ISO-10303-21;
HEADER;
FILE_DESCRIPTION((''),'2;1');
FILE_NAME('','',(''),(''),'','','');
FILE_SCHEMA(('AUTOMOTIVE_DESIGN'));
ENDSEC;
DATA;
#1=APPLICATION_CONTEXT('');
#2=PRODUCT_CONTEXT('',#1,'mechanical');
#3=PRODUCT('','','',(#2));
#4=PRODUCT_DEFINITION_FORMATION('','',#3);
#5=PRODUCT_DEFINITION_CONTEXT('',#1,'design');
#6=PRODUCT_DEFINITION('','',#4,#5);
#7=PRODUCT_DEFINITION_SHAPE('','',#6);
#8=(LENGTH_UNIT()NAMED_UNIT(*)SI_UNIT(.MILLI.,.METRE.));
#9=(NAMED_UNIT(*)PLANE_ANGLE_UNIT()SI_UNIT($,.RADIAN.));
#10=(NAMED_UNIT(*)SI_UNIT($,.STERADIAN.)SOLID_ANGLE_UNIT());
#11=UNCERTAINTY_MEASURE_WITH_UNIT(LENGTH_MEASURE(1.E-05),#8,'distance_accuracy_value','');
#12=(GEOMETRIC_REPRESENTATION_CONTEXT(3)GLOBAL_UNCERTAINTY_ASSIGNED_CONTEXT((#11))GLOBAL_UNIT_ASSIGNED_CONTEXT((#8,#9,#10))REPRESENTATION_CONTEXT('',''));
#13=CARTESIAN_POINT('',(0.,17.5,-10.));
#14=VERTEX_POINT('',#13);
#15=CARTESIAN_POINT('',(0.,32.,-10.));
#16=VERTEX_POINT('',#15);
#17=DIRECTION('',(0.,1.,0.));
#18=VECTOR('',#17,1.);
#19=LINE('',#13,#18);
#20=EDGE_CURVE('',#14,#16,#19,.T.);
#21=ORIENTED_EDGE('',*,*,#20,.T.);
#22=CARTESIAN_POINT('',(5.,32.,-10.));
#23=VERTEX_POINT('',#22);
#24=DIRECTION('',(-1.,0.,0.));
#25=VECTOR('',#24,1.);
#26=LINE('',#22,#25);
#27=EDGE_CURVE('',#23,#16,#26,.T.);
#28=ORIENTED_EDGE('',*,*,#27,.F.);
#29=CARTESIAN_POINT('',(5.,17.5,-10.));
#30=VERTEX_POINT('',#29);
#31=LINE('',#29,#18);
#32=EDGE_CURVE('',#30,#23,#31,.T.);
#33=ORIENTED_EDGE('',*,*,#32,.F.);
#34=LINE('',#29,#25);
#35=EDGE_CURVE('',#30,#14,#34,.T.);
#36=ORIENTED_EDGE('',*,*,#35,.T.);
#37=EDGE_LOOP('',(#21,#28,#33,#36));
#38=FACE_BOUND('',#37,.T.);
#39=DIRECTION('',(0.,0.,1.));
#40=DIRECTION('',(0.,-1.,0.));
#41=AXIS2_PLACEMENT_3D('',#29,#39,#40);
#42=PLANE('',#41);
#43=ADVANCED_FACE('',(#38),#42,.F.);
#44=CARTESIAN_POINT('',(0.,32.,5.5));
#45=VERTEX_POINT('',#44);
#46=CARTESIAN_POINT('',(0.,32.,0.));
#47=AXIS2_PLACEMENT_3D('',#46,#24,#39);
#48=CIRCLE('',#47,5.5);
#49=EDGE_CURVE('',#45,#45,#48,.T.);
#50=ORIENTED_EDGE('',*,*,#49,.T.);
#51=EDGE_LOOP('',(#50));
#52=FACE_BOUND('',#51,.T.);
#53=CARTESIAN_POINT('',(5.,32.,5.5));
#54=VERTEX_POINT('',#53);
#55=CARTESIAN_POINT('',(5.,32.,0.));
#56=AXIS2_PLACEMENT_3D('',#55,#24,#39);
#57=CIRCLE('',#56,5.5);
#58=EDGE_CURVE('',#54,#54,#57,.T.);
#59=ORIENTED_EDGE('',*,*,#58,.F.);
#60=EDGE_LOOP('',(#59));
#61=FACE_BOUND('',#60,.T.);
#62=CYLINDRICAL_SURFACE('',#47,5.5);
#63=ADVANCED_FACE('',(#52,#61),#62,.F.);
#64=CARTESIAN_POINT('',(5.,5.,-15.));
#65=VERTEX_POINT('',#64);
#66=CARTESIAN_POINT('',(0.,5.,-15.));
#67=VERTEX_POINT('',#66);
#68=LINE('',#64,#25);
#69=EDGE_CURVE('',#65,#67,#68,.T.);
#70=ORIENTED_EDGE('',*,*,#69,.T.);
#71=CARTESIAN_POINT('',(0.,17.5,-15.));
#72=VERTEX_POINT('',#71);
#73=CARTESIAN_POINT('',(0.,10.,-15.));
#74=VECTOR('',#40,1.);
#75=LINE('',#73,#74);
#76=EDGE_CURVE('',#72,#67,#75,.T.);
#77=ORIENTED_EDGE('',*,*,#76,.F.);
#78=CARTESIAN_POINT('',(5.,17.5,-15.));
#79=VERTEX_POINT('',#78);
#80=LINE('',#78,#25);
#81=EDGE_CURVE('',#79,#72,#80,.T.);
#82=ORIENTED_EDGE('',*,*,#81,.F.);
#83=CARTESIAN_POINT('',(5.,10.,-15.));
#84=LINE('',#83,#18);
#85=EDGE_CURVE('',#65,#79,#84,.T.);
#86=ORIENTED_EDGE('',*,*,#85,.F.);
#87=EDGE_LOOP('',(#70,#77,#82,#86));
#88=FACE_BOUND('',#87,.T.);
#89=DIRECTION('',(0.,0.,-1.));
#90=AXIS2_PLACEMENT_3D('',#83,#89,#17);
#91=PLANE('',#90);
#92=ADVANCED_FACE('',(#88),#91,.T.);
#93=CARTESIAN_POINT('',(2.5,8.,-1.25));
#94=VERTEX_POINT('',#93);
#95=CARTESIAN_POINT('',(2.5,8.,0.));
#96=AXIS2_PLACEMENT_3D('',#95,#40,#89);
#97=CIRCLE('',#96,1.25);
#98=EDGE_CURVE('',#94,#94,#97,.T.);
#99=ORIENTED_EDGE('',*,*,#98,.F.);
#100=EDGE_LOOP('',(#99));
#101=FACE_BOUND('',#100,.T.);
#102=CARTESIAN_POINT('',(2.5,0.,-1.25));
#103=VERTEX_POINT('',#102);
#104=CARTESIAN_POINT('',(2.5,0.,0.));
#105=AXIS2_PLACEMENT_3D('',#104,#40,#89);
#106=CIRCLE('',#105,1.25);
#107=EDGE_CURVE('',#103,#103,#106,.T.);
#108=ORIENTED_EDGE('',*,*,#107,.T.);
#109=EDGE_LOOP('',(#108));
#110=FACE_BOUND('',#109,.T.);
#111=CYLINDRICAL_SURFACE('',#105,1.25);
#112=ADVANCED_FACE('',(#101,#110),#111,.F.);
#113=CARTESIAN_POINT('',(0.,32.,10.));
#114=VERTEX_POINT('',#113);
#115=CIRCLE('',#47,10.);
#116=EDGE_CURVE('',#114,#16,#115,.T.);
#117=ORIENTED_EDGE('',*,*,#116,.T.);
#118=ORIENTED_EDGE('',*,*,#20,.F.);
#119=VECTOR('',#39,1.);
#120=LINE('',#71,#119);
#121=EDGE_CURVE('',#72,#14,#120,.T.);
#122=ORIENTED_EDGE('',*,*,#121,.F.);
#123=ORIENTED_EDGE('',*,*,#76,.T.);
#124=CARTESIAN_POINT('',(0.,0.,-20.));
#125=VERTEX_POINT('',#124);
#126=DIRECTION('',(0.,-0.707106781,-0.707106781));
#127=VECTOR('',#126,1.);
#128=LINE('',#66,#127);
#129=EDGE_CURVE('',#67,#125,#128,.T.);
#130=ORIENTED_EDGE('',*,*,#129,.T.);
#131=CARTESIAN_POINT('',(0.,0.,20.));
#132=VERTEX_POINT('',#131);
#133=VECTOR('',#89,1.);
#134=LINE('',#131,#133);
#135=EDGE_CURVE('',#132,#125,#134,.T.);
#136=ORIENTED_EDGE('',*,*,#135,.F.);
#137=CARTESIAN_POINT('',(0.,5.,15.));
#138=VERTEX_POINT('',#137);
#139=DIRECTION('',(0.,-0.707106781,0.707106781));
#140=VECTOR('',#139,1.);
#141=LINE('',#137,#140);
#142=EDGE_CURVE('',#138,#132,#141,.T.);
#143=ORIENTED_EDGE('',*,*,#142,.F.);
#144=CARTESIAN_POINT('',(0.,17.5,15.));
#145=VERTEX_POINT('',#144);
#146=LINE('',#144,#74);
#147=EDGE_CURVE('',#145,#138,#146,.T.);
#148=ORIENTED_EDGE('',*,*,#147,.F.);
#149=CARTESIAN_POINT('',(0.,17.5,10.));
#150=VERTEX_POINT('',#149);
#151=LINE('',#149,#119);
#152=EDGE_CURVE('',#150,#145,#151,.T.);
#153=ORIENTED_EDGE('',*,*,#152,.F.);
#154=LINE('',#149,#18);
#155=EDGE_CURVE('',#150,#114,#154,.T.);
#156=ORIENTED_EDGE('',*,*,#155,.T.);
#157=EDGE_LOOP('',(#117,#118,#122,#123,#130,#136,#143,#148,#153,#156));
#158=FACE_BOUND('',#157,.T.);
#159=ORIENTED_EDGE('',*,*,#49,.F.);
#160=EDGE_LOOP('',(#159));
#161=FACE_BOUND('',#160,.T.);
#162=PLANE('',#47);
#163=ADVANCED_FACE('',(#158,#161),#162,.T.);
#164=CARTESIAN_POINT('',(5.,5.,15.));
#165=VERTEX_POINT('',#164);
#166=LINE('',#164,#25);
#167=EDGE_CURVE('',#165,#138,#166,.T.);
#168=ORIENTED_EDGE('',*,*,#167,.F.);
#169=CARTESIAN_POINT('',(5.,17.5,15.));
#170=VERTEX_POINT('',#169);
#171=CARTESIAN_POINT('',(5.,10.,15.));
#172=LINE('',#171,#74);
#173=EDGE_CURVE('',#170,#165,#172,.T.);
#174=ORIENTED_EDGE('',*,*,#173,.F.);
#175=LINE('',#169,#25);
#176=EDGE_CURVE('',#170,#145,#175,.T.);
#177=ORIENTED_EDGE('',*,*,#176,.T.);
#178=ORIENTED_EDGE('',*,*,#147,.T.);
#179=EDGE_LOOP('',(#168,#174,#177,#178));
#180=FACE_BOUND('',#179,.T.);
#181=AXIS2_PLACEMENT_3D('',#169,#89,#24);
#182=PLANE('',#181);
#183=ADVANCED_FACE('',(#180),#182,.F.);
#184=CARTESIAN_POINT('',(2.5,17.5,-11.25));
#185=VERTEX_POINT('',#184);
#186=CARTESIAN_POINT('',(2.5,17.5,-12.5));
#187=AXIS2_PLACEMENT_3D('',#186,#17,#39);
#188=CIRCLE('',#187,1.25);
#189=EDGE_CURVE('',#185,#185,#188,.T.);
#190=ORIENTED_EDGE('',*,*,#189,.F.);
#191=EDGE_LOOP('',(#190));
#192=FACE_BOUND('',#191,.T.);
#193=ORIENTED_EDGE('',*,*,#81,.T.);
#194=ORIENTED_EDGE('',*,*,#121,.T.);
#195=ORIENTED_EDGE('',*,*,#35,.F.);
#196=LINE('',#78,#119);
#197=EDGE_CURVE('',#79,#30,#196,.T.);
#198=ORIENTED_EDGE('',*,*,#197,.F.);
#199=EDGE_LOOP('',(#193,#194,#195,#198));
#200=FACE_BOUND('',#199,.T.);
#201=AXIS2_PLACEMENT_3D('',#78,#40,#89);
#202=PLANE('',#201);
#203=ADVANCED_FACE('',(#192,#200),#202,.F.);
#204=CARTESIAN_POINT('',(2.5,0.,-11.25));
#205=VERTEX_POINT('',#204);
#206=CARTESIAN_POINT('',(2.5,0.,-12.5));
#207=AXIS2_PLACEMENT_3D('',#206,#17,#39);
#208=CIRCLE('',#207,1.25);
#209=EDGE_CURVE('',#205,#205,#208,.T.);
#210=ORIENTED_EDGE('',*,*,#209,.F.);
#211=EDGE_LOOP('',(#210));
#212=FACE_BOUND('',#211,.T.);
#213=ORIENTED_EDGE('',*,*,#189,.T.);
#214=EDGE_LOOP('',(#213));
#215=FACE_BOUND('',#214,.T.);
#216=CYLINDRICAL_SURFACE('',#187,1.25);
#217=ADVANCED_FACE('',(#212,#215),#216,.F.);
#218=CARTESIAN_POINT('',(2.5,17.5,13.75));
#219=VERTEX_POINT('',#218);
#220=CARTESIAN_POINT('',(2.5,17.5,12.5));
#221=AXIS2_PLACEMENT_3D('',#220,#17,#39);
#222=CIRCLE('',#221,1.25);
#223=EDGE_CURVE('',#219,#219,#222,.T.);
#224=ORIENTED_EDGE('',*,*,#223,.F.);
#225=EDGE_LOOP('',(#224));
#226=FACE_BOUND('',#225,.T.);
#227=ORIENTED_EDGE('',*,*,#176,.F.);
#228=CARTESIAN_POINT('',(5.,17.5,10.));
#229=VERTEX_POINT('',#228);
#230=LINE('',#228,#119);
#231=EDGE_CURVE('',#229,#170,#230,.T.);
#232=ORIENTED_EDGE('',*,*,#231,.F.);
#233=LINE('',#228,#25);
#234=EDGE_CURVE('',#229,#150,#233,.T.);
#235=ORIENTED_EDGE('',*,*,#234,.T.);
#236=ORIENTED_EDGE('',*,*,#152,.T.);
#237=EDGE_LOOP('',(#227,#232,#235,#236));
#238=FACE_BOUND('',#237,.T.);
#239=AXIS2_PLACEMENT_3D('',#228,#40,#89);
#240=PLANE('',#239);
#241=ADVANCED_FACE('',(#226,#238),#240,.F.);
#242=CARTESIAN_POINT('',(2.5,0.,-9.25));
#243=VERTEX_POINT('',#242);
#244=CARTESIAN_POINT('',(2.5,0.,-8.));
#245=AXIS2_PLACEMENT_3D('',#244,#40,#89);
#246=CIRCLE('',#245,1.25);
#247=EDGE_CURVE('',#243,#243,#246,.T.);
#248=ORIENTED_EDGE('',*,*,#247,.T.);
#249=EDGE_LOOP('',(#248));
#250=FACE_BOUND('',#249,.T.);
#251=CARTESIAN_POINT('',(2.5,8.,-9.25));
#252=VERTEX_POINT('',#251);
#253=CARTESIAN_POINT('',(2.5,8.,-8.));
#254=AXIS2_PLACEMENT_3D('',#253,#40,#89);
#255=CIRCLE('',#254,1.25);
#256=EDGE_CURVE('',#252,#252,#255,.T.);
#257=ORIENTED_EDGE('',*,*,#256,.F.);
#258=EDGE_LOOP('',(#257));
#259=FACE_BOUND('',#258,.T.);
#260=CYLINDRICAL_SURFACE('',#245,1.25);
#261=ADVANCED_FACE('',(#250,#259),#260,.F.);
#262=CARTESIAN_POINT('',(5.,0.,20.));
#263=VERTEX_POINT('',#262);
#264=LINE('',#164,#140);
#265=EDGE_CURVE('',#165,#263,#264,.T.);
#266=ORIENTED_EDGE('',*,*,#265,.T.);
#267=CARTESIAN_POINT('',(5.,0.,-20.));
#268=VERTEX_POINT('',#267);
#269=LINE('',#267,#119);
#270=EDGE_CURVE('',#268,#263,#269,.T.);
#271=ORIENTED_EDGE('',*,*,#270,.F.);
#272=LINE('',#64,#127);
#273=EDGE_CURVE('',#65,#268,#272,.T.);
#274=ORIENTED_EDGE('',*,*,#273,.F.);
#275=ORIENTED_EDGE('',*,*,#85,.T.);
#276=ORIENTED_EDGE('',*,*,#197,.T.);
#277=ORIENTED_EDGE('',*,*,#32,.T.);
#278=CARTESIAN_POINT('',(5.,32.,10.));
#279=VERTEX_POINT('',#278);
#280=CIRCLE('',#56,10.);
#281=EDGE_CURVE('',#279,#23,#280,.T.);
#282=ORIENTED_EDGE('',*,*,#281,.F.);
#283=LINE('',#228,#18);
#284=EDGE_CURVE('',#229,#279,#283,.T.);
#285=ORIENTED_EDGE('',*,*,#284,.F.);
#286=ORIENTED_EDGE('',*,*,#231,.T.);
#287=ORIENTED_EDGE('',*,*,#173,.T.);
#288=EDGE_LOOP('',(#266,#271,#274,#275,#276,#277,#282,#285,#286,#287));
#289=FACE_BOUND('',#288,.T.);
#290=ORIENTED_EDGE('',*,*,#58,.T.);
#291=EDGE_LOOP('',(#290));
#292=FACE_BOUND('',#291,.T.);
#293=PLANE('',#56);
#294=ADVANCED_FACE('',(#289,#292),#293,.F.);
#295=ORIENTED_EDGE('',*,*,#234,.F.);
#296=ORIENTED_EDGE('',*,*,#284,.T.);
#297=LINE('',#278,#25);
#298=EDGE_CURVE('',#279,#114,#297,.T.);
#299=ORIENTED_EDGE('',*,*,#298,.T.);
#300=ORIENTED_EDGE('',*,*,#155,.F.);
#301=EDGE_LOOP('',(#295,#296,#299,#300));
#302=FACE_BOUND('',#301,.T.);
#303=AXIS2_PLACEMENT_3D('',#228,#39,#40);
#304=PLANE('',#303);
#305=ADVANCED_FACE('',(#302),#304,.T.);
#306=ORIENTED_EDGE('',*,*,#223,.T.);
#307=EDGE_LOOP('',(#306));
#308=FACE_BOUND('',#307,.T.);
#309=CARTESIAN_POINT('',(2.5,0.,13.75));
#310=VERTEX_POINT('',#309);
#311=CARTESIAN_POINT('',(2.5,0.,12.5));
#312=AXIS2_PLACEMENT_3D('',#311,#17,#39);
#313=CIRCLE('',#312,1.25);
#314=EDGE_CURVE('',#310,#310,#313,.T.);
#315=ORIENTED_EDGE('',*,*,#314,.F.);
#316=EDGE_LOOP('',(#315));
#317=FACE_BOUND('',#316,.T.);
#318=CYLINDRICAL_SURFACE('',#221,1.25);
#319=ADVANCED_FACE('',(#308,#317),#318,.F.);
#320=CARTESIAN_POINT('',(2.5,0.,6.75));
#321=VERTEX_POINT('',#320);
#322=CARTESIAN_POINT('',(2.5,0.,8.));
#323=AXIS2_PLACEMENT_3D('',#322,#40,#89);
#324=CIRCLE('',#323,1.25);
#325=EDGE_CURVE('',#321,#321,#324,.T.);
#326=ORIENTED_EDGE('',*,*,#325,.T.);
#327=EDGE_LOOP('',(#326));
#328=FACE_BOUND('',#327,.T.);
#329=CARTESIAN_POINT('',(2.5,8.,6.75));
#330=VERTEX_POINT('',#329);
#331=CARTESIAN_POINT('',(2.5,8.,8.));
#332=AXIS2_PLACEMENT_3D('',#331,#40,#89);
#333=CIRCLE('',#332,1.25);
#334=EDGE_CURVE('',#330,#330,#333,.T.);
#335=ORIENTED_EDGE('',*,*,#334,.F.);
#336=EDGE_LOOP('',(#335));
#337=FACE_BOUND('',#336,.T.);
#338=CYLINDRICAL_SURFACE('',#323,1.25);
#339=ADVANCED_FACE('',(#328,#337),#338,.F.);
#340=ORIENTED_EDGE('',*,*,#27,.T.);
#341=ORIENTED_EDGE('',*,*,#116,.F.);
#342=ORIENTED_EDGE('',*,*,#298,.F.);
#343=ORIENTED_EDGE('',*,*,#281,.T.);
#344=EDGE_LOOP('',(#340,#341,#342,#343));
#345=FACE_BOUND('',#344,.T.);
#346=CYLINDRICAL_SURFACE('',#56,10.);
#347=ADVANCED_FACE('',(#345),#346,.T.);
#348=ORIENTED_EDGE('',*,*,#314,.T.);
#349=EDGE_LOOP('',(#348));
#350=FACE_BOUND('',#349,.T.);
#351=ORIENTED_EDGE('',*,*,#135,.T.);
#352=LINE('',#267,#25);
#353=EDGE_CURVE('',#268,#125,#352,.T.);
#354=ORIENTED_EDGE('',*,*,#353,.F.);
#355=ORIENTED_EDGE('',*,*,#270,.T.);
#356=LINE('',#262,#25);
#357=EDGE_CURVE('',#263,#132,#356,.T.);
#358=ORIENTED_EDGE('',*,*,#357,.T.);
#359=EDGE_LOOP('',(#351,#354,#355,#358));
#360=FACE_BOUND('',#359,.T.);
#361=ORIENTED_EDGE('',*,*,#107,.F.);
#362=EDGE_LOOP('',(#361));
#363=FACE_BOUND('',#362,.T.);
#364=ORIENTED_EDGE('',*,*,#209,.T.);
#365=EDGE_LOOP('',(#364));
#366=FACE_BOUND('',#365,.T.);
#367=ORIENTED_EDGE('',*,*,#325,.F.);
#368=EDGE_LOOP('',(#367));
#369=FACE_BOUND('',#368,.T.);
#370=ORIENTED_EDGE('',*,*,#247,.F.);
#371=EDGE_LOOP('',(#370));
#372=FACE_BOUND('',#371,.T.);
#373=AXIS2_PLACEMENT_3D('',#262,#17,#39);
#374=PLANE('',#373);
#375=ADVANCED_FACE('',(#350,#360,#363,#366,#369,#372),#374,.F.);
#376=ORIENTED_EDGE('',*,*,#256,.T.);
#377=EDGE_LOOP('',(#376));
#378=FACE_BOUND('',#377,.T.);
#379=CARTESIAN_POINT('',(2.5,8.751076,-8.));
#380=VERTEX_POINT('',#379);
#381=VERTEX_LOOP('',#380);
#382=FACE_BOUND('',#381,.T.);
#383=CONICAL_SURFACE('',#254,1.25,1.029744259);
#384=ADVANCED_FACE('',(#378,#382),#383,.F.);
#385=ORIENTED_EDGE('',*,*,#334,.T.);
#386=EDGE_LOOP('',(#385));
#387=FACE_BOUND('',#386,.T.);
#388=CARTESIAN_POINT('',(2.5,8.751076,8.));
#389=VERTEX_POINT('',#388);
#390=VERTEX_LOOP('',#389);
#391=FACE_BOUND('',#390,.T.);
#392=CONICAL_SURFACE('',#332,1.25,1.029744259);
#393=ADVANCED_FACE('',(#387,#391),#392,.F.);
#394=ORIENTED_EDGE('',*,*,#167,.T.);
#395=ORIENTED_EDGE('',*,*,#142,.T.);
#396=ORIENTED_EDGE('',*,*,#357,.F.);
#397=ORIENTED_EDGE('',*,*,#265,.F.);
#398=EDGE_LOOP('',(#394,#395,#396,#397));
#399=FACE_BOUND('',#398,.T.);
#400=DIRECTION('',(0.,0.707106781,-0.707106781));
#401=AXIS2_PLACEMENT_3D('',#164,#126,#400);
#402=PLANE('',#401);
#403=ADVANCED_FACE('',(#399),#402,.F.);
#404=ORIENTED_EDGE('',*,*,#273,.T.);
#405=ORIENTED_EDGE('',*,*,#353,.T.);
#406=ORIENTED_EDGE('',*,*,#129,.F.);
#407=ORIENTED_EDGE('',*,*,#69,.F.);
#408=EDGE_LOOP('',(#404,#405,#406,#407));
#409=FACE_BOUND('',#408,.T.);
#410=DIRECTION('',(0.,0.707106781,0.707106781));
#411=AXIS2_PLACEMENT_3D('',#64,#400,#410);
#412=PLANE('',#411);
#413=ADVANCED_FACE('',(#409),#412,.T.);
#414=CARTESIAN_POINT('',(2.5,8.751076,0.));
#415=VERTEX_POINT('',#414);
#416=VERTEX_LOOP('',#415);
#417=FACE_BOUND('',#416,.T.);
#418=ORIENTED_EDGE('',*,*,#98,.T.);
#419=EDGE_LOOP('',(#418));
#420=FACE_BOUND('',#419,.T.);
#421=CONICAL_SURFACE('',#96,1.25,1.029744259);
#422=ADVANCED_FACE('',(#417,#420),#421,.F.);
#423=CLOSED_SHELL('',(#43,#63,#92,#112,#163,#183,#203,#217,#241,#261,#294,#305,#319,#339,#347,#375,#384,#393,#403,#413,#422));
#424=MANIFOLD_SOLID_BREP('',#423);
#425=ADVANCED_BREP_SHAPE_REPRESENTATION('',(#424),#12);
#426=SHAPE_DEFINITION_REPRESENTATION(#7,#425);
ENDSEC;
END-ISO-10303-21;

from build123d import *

# Parameters (mm, degrees)
BOSS_EXTRUDE1_DEPTH            = 5
F_11_0_11_DIAMETER_HOLE1_D     = 11
F_11_0_11_DIAMETER_HOLE1_DEPTH = 25
F_11_0_11_DIAMETER_HOLE1_TIP   = 3.304733405
M3_TAPPED_HOLE3_D              = 2.5
M3_TAPPED_HOLE3_DEPTH          = 8
M3_TAPPED_HOLE3_TIP            = 0.751075774


with BuildPart() as part:
    # Sketch1 → Boss-Extrude1 (new body)
    with BuildSketch(Plane(origin=(0, 0, 0), x_dir=(0, 0, -1), z_dir=(1, 0, 0))):
        with BuildLine():
            Line((10, 0), (-10, 0))
            Line((-10, 0), (-20, 0))
            Line((-20, 0), (-15, 5))
            Line((-15, 5), (-15, 10))
            Line((-15, 10), (-15, 17.5))
            Line((-15, 17.5), (-10, 17.5))
            Line((-10, 17.5), (-10, 32))
            ThreePointArc((-10, 32), (0, 42), (10, 32))
            Line((10, 32), (10, 17.5))
            Line((10, 17.5), (15, 17.5))
            Line((15, 17.5), (15, 10))
            Line((15, 10), (15, 5))
            Line((15, 5), (20, 0))
            Line((20, 0), (10, 0))
        make_face()
    extrude(amount=BOSS_EXTRUDE1_DEPTH)

    # Ø11.0 (11) Diameter Hole1
    with Locations(Plane(origin=(0, 32, 0), x_dir=(0, 0, -1), z_dir=(-1, 0, 0))):
        with Locations((0, 0)):
            Hole(F_11_0_11_DIAMETER_HOLE1_D / 2, depth=F_11_0_11_DIAMETER_HOLE1_DEPTH)
            with Locations((0, 0, -(F_11_0_11_DIAMETER_HOLE1_DEPTH + F_11_0_11_DIAMETER_HOLE1_TIP / 2))):  # 118° drill point
                Cone(0, F_11_0_11_DIAMETER_HOLE1_D / 2, F_11_0_11_DIAMETER_HOLE1_TIP, mode=Mode.SUBTRACT)

    # Sketch9 → M3 Tapped Hole2 (revolve, cut)
    with BuildSketch(Plane(origin=(2.5, 17.5, -12.5), x_dir=(0, 0, 1), z_dir=(1, 0, 0))):
        Polygon((0, 0), (0, 18.751075774), (1.25, 18), (1.25, 0), align=None)
    m3_tapped_hole2 = revolve(axis=Axis((2.5, 23.85, -12.5), (0, -1, 0)), mode=Mode.SUBTRACT)

    # Mirror1: M3 Tapped Hole2 across plane
    add(m3_tapped_hole2.mirror(Plane.XY), mode=Mode.SUBTRACT)

    # M3 Tapped Hole3
    with Locations(Plane(origin=(2.5, 0, 8), x_dir=(0, 0, -1), z_dir=(0, -1, 0))):
        with Locations((0, 0), (8, 0), (16, 0)):
            Hole(M3_TAPPED_HOLE3_D / 2, depth=M3_TAPPED_HOLE3_DEPTH)
            with Locations((0, 0, -(M3_TAPPED_HOLE3_DEPTH + M3_TAPPED_HOLE3_TIP / 2))):  # 118° drill point
                Cone(0, M3_TAPPED_HOLE3_D / 2, M3_TAPPED_HOLE3_TIP, mode=Mode.SUBTRACT)


solid = part.part
